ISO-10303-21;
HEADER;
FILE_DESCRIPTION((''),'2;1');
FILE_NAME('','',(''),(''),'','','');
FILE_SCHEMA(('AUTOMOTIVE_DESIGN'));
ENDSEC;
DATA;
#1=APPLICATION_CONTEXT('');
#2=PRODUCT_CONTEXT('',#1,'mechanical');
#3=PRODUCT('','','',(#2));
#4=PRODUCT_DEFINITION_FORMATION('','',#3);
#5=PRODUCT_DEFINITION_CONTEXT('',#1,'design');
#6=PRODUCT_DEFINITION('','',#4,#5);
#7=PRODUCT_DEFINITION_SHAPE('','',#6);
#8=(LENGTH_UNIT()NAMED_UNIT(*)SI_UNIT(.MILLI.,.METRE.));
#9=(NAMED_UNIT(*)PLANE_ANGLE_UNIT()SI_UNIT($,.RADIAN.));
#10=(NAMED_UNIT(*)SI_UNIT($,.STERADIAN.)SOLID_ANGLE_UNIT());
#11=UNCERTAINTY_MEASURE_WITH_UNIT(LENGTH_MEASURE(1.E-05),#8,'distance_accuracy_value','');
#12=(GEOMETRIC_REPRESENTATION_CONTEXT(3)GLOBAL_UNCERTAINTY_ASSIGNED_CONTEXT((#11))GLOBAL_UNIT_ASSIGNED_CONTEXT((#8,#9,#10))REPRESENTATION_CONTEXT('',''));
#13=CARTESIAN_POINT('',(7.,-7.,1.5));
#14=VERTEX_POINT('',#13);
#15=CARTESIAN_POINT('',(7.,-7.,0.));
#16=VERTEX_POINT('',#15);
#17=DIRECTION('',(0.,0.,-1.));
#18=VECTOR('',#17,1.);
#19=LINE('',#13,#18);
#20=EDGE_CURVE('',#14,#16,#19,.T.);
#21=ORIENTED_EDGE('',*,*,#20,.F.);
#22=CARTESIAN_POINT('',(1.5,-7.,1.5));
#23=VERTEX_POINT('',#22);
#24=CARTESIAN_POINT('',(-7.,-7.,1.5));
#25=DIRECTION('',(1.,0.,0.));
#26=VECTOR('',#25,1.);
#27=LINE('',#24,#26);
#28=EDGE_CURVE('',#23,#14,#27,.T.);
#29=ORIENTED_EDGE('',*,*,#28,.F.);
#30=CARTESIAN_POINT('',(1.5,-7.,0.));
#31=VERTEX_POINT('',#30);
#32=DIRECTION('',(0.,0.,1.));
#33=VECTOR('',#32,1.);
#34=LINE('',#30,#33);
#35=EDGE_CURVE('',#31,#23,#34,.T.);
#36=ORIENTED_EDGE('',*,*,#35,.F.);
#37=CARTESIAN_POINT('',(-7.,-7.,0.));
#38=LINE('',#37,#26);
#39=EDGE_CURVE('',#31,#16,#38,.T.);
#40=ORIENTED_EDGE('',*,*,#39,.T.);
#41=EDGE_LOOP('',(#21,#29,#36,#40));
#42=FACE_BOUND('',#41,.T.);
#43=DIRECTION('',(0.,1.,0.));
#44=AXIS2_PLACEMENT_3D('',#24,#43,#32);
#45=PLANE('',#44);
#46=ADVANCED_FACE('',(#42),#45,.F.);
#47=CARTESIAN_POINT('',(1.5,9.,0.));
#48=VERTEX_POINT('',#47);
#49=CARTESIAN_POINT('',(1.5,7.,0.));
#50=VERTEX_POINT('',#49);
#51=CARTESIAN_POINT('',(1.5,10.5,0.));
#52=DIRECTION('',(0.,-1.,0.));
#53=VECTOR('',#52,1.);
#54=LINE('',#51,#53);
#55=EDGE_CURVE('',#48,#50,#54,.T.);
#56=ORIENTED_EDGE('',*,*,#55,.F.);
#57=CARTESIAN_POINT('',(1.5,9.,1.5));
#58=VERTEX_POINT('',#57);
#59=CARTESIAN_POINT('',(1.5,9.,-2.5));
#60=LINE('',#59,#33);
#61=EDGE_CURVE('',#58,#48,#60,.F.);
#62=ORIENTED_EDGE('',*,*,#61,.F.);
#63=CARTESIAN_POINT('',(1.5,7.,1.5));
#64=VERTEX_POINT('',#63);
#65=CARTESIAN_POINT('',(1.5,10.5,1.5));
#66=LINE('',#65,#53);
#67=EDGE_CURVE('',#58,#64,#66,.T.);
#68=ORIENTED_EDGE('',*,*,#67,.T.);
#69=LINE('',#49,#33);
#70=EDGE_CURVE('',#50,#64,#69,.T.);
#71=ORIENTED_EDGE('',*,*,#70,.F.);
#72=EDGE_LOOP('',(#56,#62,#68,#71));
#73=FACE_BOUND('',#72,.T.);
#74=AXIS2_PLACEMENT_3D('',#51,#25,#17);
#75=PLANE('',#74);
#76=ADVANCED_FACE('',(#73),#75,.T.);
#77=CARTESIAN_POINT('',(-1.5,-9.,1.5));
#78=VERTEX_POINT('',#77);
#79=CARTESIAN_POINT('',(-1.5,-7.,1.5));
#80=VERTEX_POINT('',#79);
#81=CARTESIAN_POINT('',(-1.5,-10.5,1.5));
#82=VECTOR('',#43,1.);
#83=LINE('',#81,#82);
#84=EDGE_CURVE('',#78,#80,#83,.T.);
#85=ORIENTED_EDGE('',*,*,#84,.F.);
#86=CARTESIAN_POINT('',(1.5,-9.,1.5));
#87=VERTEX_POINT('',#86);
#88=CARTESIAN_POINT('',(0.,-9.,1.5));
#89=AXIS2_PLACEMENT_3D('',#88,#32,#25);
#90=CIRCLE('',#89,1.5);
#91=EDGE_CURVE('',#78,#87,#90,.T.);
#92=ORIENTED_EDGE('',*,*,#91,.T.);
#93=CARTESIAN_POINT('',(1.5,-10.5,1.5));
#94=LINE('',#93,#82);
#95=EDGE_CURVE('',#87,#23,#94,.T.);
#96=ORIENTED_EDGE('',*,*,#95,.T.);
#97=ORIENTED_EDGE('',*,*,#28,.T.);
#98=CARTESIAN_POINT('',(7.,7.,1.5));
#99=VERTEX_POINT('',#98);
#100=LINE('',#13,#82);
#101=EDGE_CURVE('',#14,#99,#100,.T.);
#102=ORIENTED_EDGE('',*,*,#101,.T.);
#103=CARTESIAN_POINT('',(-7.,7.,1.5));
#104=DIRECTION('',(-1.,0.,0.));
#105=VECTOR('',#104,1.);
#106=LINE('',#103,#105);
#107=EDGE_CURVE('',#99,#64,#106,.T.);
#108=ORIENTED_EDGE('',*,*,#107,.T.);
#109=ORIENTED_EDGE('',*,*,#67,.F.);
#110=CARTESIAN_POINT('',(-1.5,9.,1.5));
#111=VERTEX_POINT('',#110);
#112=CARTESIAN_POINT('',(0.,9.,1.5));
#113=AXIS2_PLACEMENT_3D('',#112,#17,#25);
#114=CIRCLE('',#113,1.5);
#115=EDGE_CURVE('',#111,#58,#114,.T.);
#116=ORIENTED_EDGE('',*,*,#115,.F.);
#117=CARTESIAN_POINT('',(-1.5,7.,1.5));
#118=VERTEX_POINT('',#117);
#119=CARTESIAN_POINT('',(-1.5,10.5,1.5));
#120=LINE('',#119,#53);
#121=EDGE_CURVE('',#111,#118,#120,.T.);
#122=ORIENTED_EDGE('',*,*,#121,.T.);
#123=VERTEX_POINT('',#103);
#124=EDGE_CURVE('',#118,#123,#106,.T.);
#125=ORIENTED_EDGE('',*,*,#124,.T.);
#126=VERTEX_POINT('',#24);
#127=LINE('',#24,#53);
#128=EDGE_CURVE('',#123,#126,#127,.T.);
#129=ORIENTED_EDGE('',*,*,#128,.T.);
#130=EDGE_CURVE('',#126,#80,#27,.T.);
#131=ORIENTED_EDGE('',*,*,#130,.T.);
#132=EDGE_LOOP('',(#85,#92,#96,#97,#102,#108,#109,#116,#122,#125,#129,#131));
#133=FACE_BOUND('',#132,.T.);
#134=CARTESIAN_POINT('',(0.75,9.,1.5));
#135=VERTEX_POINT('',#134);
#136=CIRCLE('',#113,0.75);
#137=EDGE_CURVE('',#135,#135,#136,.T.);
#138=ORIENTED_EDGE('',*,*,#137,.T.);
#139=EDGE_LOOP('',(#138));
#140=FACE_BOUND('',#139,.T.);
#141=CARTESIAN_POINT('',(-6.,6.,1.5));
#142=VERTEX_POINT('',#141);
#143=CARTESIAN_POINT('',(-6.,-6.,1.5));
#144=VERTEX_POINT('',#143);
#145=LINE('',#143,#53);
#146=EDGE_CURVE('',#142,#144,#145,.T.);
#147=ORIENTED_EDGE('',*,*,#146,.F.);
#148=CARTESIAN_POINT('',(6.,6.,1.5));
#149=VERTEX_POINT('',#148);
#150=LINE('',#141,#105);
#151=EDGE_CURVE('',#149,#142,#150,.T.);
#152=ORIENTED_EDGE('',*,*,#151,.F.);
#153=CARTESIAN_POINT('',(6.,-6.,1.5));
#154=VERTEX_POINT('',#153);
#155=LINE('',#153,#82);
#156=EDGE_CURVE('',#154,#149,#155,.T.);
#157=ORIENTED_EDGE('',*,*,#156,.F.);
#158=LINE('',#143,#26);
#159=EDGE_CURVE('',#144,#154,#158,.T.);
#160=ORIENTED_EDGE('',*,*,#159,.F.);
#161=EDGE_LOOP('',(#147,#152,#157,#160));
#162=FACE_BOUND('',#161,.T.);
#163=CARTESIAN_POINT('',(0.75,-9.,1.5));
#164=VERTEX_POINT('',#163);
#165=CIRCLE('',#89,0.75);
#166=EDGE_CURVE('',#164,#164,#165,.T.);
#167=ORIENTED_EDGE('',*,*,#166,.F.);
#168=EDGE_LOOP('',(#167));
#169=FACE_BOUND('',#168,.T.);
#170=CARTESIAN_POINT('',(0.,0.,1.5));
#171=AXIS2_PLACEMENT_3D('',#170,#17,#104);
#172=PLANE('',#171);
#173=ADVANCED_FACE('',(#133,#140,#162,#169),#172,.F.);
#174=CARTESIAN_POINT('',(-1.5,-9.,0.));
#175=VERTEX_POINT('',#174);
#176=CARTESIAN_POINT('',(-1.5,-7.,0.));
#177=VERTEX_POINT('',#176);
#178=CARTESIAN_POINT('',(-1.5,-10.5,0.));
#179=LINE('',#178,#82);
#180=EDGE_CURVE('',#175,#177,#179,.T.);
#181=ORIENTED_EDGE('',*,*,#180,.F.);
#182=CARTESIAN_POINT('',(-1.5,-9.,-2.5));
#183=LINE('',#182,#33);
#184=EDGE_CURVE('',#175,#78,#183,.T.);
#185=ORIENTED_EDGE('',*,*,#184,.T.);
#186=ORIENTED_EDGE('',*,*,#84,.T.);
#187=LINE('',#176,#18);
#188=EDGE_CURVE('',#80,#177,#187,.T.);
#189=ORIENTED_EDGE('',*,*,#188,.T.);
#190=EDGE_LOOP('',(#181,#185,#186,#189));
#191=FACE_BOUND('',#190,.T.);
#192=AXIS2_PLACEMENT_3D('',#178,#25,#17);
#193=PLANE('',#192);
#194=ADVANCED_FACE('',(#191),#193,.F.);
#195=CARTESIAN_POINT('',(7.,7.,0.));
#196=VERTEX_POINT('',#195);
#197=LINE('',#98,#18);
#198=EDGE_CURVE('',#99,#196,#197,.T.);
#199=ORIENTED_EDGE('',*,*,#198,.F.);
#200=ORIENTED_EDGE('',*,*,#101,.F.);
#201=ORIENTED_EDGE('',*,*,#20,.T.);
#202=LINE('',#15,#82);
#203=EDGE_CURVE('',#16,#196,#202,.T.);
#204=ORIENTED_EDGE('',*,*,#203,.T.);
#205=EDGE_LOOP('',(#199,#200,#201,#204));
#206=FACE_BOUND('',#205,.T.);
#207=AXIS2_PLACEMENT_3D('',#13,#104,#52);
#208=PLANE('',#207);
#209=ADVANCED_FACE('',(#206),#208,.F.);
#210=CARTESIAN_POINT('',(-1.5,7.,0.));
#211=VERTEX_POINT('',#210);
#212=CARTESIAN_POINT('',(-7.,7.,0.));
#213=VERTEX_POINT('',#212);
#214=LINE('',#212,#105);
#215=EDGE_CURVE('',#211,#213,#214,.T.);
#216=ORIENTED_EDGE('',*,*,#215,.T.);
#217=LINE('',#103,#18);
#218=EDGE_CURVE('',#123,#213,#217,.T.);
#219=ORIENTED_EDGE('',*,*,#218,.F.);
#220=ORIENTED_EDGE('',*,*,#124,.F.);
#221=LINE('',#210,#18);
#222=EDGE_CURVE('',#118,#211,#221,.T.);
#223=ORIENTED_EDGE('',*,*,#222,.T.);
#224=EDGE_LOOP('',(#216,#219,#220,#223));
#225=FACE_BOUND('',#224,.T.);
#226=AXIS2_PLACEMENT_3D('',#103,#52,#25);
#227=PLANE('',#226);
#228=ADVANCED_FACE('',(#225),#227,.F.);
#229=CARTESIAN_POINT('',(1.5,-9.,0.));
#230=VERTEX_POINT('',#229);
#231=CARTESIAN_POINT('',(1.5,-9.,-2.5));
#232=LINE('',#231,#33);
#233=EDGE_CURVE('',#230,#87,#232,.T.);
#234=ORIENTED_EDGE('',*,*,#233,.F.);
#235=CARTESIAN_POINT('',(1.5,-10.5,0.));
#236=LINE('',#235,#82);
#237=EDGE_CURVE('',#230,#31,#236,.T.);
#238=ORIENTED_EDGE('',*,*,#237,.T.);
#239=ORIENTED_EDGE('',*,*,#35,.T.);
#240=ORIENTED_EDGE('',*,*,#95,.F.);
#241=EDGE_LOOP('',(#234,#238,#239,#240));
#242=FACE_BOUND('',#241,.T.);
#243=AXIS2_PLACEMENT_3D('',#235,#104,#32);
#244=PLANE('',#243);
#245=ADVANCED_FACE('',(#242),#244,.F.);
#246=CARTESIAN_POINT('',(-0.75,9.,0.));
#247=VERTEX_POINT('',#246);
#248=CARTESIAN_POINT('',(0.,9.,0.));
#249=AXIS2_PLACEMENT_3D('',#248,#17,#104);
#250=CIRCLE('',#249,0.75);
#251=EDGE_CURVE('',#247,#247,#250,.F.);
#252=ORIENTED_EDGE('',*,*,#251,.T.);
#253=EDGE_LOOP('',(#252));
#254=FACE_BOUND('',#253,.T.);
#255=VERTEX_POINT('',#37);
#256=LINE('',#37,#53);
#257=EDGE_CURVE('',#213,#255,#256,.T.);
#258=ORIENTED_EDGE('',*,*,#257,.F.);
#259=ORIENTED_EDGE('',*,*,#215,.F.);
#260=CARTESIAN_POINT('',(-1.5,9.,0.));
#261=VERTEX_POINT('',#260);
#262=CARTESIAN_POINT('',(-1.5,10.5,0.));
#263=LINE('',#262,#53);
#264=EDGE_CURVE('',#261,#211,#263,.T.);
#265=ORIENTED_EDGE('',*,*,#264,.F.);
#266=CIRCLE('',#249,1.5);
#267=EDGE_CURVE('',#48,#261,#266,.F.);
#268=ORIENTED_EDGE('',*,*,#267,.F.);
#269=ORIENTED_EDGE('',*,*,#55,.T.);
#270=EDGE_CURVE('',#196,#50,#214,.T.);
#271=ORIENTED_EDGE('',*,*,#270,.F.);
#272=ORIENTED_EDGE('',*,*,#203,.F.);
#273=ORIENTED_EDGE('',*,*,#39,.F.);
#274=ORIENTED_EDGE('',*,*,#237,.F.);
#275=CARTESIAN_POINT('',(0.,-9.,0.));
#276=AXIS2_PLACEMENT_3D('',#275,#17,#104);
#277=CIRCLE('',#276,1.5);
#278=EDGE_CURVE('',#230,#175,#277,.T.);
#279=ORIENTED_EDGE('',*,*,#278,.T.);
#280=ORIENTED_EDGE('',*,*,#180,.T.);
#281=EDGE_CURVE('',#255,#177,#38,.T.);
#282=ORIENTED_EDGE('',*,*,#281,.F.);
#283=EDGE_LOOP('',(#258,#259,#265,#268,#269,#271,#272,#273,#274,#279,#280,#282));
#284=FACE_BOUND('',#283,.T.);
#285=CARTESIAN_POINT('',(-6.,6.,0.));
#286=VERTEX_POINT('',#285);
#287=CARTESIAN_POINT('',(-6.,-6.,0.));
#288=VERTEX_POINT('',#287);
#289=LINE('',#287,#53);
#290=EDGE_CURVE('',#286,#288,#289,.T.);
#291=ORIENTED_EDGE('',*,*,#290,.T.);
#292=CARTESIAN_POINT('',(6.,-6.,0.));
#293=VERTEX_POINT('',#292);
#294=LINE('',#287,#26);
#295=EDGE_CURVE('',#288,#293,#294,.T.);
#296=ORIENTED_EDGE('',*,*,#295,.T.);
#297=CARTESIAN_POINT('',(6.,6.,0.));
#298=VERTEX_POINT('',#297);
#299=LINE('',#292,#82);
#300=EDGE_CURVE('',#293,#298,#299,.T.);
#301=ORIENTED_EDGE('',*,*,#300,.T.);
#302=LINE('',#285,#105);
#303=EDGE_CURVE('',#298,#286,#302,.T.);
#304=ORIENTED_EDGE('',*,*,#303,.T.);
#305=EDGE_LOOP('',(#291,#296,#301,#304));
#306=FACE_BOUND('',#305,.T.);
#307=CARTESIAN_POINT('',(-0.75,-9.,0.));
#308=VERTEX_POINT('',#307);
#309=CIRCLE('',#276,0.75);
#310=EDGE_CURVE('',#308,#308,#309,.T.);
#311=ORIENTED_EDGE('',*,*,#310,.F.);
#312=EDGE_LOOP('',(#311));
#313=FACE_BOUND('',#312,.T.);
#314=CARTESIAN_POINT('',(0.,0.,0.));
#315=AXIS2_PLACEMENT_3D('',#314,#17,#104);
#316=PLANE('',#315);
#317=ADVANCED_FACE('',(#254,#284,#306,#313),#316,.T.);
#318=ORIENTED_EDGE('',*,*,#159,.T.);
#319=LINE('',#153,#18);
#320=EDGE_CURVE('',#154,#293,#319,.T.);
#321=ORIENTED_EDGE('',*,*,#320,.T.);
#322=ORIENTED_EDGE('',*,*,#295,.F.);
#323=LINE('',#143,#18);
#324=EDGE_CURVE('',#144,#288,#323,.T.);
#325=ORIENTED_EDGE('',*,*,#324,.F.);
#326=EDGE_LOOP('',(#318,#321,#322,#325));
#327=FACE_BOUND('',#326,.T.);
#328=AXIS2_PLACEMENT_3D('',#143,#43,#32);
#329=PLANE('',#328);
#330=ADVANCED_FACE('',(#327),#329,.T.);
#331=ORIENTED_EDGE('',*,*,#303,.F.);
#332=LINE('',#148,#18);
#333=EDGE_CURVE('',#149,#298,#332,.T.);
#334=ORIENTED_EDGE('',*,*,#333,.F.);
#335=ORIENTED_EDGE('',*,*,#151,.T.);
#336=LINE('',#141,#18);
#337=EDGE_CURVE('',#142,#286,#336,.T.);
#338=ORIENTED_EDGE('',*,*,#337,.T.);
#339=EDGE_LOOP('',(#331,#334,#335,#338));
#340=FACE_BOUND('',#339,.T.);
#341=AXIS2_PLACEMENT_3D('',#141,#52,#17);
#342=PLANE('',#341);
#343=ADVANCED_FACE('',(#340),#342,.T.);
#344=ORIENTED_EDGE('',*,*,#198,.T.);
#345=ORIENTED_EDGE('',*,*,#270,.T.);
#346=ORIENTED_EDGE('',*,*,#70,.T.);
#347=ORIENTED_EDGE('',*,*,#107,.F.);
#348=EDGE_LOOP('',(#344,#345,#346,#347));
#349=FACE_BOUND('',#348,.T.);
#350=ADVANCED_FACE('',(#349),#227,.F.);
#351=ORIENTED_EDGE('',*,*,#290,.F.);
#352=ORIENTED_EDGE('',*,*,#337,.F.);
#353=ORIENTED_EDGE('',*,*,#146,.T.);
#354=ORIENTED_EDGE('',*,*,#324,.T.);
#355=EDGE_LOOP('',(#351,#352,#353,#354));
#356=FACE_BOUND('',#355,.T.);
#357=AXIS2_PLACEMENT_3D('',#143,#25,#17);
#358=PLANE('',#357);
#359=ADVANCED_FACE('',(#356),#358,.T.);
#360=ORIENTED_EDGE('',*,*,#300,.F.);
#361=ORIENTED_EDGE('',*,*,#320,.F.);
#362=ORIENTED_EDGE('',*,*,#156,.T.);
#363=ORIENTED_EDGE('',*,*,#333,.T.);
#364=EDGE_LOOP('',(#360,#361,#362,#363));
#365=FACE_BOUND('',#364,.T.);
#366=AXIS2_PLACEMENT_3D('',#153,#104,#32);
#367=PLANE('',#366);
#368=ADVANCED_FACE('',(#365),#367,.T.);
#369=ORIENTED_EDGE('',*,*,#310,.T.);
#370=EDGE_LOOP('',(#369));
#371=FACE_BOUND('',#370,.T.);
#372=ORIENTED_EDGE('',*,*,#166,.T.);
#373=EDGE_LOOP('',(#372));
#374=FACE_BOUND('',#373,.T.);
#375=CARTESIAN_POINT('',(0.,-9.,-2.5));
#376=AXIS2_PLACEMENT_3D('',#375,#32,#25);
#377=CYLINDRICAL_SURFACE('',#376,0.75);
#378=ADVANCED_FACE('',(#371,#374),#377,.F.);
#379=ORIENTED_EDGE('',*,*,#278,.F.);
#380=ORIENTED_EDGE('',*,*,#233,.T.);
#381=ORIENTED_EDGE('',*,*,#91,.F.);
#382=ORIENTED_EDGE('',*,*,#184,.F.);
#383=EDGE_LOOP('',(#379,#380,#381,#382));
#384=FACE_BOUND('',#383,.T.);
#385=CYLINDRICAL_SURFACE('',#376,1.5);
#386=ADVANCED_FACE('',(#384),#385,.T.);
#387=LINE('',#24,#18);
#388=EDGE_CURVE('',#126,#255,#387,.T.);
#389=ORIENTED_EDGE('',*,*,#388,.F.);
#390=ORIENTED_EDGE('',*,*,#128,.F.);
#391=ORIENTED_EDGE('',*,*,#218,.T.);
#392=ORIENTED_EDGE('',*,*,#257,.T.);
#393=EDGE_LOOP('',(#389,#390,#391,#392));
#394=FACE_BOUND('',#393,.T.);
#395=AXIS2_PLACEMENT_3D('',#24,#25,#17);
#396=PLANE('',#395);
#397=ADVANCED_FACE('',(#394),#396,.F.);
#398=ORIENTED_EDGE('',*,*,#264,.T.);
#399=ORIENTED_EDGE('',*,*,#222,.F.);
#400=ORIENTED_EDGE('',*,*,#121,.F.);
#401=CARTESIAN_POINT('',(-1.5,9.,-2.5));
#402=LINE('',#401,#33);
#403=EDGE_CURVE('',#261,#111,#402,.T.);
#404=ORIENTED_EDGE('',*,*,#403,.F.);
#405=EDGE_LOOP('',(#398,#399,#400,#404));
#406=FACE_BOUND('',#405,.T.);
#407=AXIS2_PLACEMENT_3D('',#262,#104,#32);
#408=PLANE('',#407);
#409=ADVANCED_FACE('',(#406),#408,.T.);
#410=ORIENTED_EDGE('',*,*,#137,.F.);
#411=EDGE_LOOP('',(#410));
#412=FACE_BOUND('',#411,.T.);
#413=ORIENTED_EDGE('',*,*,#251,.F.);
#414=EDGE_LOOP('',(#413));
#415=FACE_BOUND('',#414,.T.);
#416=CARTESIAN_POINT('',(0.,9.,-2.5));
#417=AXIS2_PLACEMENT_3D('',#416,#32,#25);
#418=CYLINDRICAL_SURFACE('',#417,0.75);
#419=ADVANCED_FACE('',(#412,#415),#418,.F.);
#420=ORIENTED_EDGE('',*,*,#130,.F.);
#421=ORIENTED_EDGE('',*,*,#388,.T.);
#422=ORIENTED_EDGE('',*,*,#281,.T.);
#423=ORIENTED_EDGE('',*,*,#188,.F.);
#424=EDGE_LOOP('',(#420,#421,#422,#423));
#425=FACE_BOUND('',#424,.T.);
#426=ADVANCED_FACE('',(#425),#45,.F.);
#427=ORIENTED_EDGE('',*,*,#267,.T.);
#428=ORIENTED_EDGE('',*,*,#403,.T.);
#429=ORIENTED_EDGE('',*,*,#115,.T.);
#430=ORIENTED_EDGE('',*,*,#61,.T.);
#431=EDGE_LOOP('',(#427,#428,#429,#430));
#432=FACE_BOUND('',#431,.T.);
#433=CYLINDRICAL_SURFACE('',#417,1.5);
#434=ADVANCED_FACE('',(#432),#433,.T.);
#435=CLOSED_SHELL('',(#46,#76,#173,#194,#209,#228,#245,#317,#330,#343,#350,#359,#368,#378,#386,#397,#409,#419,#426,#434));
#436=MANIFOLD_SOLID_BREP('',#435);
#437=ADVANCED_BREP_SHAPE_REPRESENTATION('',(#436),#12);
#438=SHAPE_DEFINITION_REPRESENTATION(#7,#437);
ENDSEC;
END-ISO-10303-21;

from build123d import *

# Parameters (mm, degrees)
SKETCH_6_W          = 14
SKETCH_6_H          = 14
SKETCH_6_W_2        = 12
SKETCH_6_H_2        = 12
EXTRUDE_3_DEPTH     = 1.5
SKETCH_7_W          = 3
SKETCH_7_H          = 1.5
EXTRUDE_4_DEPTH     = 3.5
CUT_EXTRUDE_3_DEPTH = 4
SKETCH_11_R         = 0.75
CUT_EXTRUDE_5_DEPTH = 4


with BuildPart() as part:
    # 草图6 → 凸台-拉伸3 (new body)
    with BuildSketch(Plane.XY):
        Rectangle(SKETCH_6_W, SKETCH_6_H)
        Rectangle(SKETCH_6_W_2, SKETCH_6_H_2, mode=Mode.SUBTRACT)
    extrude(amount=EXTRUDE_3_DEPTH)

    # 草图7 → 凸台-拉伸4 (add)
    with BuildSketch(Plane.XZ.offset(7)):
        with Locations((0, 0.75)):
            Rectangle(SKETCH_7_W, SKETCH_7_H)
    extrude_4 = extrude(amount=EXTRUDE_4_DEPTH)

    # 草图8 → 切除-拉伸3 (cut)
    with BuildSketch(Plane.XY.offset(1.5)):
        with BuildLine():
            ThreePointArc((0, -10.5), (-1.060660172, -10.060660172), (-1.5, -9))
            Line((-1.5, -9), (-1.5, -10.5))
            Line((-1.5, -10.5), (0, -10.5))
        make_face()
        with BuildLine():
            Line((1.5, -10.5), (1.5, -9))
            ThreePointArc((1.5, -9), (1.060660172, -10.060660172), (0, -10.5))
            Line((0, -10.5), (1.5, -10.5))
        make_face()
    cut_extrude_3 = extrude(amount=-CUT_EXTRUDE_3_DEPTH, mode=Mode.SUBTRACT)

    # 草图11 → 切除-拉伸5 (cut)
    with BuildSketch(Plane.XY.offset(1.5)):
        with Locations((0, -9)):
            Circle(SKETCH_11_R)
    cut_extrude_5 = extrude(amount=-CUT_EXTRUDE_5_DEPTH, mode=Mode.SUBTRACT)

    # 镜向1: 凸台-拉伸4, 切除-拉伸3, 切除-拉伸5 across plane
    add(extrude_4.mirror(Plane.ZX))
    add(cut_extrude_3.mirror(Plane.ZX), mode=Mode.SUBTRACT)
    add(cut_extrude_5.mirror(Plane.ZX), mode=Mode.SUBTRACT)


solid = part.part
